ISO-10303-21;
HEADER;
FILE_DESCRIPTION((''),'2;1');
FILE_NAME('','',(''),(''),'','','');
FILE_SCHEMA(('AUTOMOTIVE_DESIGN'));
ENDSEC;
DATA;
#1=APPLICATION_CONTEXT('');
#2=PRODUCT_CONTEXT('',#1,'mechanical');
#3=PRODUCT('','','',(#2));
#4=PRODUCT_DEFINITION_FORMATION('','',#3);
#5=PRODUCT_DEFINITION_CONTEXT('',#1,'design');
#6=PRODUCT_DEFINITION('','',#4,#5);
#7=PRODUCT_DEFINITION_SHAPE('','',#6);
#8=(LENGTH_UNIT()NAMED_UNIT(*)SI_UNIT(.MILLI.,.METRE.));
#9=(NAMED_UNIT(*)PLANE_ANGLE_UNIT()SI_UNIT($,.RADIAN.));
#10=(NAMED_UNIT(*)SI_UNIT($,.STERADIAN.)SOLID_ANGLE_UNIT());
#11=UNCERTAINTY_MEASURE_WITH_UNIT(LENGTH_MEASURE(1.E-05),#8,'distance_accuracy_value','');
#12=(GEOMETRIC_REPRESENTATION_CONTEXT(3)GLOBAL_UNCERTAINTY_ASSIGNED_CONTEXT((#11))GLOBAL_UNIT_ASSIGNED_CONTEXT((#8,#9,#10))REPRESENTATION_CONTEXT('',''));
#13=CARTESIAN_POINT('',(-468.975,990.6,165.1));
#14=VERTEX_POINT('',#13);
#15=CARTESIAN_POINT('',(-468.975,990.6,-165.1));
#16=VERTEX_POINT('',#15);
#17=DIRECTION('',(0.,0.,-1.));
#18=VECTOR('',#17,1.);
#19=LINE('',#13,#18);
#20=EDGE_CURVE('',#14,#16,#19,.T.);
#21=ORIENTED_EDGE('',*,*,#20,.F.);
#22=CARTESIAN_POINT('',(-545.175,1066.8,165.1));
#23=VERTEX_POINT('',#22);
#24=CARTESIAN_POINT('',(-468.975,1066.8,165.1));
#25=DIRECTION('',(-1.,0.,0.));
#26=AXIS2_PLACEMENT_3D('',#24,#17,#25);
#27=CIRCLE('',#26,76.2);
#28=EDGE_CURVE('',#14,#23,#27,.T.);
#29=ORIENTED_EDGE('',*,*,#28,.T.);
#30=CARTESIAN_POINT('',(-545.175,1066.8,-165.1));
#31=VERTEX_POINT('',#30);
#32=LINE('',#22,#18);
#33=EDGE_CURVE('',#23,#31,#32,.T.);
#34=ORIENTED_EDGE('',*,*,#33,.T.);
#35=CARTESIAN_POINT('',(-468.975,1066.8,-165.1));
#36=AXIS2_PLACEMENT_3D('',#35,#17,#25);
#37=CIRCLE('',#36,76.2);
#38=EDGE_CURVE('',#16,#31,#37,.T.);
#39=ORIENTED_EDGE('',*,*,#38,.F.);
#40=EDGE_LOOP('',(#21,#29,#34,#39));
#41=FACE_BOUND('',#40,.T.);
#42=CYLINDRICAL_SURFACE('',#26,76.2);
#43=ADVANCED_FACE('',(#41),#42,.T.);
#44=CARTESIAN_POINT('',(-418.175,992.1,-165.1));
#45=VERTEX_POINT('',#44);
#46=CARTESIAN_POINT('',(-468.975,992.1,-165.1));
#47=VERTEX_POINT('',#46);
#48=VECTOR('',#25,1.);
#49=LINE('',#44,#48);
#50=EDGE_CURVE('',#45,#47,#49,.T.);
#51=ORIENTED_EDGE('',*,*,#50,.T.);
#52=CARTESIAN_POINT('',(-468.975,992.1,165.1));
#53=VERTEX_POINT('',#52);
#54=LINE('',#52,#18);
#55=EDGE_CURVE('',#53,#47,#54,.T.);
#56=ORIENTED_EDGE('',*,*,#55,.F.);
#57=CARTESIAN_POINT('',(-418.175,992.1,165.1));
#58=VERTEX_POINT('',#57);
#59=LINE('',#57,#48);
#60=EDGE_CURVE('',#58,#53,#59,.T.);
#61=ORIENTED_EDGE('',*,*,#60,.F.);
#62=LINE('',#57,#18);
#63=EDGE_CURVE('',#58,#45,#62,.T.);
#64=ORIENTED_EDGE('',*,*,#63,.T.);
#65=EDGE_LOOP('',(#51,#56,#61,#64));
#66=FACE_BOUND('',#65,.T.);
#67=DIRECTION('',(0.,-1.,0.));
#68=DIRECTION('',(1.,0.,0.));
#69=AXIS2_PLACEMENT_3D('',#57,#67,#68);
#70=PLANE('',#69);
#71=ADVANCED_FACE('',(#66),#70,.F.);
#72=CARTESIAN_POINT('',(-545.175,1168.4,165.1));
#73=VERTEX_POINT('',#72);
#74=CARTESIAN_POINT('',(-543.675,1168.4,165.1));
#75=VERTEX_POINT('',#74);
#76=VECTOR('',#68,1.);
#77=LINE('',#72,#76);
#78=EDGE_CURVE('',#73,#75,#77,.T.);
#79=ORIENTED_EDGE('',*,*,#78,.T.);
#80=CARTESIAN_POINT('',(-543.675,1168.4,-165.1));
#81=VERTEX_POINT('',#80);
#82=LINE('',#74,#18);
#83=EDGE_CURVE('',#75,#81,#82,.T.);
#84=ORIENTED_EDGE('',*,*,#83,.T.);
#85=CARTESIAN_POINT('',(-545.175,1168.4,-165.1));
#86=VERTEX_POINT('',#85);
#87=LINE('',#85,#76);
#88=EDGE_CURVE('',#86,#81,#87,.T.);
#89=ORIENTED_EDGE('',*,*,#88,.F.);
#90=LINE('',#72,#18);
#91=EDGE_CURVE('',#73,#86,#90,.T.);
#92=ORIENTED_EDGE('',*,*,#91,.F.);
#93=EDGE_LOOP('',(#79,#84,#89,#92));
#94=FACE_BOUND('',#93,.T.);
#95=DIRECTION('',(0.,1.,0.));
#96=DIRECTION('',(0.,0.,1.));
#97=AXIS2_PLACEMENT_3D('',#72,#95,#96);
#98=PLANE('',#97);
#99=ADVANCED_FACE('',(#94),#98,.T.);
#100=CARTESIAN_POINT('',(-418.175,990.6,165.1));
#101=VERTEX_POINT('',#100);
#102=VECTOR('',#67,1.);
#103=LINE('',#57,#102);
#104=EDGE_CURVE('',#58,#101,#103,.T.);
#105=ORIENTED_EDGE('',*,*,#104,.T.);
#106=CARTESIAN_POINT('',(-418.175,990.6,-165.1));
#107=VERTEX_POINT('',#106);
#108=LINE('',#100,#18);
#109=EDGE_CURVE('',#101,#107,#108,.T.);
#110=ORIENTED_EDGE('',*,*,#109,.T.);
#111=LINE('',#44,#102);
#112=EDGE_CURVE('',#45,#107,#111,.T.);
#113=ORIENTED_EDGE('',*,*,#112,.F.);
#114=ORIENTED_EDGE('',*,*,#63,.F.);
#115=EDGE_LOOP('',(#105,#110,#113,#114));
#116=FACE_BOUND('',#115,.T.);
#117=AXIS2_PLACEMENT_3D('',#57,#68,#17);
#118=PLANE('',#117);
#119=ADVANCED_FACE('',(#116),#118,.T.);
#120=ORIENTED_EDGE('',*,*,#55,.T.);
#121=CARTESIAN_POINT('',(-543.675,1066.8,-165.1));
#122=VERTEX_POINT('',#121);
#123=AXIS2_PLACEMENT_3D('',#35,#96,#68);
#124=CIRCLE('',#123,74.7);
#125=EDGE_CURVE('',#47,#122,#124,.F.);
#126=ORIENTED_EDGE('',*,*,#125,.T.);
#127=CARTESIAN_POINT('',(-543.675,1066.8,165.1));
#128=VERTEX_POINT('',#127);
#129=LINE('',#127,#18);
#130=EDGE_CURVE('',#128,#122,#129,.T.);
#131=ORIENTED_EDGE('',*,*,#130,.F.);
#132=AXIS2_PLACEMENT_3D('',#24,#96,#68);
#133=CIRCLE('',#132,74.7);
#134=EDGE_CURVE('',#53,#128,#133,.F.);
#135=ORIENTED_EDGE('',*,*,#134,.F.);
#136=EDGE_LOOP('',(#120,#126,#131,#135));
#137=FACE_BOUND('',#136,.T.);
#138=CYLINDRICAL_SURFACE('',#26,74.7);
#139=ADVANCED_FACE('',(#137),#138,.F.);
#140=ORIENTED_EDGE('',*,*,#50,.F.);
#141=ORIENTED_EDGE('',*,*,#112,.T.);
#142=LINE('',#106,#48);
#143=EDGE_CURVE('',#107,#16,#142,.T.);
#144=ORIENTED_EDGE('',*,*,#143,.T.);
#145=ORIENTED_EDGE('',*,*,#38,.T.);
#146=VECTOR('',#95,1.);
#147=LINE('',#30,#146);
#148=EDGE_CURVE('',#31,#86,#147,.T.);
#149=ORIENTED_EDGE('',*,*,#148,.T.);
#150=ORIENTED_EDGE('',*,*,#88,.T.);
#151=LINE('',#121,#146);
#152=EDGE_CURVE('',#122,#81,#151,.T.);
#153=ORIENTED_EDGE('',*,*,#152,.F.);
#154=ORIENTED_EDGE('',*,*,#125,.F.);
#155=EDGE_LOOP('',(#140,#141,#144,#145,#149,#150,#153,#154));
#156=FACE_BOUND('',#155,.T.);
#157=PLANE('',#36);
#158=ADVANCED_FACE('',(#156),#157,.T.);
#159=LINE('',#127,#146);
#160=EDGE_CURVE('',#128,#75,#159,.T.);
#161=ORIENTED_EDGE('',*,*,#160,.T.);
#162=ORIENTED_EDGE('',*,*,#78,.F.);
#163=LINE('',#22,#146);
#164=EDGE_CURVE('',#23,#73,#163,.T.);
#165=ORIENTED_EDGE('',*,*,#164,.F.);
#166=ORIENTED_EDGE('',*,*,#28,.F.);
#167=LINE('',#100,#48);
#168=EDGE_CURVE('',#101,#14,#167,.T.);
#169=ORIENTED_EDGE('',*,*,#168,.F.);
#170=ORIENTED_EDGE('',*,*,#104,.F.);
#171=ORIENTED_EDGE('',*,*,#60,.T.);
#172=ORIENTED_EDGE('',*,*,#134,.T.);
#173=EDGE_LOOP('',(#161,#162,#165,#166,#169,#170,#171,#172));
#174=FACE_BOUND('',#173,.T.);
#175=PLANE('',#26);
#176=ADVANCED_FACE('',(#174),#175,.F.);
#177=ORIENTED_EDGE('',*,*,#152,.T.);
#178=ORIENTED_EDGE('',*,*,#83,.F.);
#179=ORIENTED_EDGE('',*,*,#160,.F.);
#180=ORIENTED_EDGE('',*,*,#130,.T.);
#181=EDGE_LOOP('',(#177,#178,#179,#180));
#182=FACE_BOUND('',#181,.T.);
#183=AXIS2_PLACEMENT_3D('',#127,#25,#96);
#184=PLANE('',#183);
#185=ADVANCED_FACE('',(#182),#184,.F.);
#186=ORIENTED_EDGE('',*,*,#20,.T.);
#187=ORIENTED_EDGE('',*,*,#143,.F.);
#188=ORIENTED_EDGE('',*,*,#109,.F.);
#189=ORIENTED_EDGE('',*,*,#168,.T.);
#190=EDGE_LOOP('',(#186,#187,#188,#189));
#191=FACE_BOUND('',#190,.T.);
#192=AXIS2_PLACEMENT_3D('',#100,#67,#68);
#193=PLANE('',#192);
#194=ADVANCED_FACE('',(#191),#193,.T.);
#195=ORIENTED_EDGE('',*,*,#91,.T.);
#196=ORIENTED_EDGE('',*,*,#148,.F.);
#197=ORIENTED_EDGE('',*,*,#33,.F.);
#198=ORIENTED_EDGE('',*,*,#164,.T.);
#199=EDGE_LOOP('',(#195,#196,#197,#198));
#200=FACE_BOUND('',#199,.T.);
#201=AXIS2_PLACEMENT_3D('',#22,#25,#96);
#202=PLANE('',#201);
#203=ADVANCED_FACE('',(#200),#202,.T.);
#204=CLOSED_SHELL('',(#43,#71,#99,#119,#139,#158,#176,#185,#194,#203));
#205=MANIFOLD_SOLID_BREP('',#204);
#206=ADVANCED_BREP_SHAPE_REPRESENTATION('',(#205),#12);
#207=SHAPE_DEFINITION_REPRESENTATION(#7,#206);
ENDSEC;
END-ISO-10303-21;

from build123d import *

# Parameters (mm, degrees)
EXTRUDE_THIN1_DEPTH = 165.1


with BuildPart() as part:
    # Sketch1 → Extrude-Thin1 (new body, symmetric)
    with BuildSketch(Plane.XY):
        with BuildLine():
            Line((-418.175, 990.6), (-468.975, 990.6))
            ThreePointArc((-468.975, 990.6), (-522.856536726, 1012.918463274), (-545.175, 1066.8))
            Line((-545.175, 1066.8), (-545.175, 1168.4))
            Line((-545.175, 1168.4), (-543.675, 1168.4))
            Line((-543.675, 1168.4), (-543.675, 1066.8))
            ThreePointArc((-543.675, 1066.8), (-521.795876555, 1013.979123445), (-468.975, 992.1))
            Line((-468.975, 992.1), (-418.175, 992.1))
            Line((-418.175, 992.1), (-418.175, 990.6))
        make_face()
    extrude(amount=EXTRUDE_THIN1_DEPTH, both=True)


solid = part.part
